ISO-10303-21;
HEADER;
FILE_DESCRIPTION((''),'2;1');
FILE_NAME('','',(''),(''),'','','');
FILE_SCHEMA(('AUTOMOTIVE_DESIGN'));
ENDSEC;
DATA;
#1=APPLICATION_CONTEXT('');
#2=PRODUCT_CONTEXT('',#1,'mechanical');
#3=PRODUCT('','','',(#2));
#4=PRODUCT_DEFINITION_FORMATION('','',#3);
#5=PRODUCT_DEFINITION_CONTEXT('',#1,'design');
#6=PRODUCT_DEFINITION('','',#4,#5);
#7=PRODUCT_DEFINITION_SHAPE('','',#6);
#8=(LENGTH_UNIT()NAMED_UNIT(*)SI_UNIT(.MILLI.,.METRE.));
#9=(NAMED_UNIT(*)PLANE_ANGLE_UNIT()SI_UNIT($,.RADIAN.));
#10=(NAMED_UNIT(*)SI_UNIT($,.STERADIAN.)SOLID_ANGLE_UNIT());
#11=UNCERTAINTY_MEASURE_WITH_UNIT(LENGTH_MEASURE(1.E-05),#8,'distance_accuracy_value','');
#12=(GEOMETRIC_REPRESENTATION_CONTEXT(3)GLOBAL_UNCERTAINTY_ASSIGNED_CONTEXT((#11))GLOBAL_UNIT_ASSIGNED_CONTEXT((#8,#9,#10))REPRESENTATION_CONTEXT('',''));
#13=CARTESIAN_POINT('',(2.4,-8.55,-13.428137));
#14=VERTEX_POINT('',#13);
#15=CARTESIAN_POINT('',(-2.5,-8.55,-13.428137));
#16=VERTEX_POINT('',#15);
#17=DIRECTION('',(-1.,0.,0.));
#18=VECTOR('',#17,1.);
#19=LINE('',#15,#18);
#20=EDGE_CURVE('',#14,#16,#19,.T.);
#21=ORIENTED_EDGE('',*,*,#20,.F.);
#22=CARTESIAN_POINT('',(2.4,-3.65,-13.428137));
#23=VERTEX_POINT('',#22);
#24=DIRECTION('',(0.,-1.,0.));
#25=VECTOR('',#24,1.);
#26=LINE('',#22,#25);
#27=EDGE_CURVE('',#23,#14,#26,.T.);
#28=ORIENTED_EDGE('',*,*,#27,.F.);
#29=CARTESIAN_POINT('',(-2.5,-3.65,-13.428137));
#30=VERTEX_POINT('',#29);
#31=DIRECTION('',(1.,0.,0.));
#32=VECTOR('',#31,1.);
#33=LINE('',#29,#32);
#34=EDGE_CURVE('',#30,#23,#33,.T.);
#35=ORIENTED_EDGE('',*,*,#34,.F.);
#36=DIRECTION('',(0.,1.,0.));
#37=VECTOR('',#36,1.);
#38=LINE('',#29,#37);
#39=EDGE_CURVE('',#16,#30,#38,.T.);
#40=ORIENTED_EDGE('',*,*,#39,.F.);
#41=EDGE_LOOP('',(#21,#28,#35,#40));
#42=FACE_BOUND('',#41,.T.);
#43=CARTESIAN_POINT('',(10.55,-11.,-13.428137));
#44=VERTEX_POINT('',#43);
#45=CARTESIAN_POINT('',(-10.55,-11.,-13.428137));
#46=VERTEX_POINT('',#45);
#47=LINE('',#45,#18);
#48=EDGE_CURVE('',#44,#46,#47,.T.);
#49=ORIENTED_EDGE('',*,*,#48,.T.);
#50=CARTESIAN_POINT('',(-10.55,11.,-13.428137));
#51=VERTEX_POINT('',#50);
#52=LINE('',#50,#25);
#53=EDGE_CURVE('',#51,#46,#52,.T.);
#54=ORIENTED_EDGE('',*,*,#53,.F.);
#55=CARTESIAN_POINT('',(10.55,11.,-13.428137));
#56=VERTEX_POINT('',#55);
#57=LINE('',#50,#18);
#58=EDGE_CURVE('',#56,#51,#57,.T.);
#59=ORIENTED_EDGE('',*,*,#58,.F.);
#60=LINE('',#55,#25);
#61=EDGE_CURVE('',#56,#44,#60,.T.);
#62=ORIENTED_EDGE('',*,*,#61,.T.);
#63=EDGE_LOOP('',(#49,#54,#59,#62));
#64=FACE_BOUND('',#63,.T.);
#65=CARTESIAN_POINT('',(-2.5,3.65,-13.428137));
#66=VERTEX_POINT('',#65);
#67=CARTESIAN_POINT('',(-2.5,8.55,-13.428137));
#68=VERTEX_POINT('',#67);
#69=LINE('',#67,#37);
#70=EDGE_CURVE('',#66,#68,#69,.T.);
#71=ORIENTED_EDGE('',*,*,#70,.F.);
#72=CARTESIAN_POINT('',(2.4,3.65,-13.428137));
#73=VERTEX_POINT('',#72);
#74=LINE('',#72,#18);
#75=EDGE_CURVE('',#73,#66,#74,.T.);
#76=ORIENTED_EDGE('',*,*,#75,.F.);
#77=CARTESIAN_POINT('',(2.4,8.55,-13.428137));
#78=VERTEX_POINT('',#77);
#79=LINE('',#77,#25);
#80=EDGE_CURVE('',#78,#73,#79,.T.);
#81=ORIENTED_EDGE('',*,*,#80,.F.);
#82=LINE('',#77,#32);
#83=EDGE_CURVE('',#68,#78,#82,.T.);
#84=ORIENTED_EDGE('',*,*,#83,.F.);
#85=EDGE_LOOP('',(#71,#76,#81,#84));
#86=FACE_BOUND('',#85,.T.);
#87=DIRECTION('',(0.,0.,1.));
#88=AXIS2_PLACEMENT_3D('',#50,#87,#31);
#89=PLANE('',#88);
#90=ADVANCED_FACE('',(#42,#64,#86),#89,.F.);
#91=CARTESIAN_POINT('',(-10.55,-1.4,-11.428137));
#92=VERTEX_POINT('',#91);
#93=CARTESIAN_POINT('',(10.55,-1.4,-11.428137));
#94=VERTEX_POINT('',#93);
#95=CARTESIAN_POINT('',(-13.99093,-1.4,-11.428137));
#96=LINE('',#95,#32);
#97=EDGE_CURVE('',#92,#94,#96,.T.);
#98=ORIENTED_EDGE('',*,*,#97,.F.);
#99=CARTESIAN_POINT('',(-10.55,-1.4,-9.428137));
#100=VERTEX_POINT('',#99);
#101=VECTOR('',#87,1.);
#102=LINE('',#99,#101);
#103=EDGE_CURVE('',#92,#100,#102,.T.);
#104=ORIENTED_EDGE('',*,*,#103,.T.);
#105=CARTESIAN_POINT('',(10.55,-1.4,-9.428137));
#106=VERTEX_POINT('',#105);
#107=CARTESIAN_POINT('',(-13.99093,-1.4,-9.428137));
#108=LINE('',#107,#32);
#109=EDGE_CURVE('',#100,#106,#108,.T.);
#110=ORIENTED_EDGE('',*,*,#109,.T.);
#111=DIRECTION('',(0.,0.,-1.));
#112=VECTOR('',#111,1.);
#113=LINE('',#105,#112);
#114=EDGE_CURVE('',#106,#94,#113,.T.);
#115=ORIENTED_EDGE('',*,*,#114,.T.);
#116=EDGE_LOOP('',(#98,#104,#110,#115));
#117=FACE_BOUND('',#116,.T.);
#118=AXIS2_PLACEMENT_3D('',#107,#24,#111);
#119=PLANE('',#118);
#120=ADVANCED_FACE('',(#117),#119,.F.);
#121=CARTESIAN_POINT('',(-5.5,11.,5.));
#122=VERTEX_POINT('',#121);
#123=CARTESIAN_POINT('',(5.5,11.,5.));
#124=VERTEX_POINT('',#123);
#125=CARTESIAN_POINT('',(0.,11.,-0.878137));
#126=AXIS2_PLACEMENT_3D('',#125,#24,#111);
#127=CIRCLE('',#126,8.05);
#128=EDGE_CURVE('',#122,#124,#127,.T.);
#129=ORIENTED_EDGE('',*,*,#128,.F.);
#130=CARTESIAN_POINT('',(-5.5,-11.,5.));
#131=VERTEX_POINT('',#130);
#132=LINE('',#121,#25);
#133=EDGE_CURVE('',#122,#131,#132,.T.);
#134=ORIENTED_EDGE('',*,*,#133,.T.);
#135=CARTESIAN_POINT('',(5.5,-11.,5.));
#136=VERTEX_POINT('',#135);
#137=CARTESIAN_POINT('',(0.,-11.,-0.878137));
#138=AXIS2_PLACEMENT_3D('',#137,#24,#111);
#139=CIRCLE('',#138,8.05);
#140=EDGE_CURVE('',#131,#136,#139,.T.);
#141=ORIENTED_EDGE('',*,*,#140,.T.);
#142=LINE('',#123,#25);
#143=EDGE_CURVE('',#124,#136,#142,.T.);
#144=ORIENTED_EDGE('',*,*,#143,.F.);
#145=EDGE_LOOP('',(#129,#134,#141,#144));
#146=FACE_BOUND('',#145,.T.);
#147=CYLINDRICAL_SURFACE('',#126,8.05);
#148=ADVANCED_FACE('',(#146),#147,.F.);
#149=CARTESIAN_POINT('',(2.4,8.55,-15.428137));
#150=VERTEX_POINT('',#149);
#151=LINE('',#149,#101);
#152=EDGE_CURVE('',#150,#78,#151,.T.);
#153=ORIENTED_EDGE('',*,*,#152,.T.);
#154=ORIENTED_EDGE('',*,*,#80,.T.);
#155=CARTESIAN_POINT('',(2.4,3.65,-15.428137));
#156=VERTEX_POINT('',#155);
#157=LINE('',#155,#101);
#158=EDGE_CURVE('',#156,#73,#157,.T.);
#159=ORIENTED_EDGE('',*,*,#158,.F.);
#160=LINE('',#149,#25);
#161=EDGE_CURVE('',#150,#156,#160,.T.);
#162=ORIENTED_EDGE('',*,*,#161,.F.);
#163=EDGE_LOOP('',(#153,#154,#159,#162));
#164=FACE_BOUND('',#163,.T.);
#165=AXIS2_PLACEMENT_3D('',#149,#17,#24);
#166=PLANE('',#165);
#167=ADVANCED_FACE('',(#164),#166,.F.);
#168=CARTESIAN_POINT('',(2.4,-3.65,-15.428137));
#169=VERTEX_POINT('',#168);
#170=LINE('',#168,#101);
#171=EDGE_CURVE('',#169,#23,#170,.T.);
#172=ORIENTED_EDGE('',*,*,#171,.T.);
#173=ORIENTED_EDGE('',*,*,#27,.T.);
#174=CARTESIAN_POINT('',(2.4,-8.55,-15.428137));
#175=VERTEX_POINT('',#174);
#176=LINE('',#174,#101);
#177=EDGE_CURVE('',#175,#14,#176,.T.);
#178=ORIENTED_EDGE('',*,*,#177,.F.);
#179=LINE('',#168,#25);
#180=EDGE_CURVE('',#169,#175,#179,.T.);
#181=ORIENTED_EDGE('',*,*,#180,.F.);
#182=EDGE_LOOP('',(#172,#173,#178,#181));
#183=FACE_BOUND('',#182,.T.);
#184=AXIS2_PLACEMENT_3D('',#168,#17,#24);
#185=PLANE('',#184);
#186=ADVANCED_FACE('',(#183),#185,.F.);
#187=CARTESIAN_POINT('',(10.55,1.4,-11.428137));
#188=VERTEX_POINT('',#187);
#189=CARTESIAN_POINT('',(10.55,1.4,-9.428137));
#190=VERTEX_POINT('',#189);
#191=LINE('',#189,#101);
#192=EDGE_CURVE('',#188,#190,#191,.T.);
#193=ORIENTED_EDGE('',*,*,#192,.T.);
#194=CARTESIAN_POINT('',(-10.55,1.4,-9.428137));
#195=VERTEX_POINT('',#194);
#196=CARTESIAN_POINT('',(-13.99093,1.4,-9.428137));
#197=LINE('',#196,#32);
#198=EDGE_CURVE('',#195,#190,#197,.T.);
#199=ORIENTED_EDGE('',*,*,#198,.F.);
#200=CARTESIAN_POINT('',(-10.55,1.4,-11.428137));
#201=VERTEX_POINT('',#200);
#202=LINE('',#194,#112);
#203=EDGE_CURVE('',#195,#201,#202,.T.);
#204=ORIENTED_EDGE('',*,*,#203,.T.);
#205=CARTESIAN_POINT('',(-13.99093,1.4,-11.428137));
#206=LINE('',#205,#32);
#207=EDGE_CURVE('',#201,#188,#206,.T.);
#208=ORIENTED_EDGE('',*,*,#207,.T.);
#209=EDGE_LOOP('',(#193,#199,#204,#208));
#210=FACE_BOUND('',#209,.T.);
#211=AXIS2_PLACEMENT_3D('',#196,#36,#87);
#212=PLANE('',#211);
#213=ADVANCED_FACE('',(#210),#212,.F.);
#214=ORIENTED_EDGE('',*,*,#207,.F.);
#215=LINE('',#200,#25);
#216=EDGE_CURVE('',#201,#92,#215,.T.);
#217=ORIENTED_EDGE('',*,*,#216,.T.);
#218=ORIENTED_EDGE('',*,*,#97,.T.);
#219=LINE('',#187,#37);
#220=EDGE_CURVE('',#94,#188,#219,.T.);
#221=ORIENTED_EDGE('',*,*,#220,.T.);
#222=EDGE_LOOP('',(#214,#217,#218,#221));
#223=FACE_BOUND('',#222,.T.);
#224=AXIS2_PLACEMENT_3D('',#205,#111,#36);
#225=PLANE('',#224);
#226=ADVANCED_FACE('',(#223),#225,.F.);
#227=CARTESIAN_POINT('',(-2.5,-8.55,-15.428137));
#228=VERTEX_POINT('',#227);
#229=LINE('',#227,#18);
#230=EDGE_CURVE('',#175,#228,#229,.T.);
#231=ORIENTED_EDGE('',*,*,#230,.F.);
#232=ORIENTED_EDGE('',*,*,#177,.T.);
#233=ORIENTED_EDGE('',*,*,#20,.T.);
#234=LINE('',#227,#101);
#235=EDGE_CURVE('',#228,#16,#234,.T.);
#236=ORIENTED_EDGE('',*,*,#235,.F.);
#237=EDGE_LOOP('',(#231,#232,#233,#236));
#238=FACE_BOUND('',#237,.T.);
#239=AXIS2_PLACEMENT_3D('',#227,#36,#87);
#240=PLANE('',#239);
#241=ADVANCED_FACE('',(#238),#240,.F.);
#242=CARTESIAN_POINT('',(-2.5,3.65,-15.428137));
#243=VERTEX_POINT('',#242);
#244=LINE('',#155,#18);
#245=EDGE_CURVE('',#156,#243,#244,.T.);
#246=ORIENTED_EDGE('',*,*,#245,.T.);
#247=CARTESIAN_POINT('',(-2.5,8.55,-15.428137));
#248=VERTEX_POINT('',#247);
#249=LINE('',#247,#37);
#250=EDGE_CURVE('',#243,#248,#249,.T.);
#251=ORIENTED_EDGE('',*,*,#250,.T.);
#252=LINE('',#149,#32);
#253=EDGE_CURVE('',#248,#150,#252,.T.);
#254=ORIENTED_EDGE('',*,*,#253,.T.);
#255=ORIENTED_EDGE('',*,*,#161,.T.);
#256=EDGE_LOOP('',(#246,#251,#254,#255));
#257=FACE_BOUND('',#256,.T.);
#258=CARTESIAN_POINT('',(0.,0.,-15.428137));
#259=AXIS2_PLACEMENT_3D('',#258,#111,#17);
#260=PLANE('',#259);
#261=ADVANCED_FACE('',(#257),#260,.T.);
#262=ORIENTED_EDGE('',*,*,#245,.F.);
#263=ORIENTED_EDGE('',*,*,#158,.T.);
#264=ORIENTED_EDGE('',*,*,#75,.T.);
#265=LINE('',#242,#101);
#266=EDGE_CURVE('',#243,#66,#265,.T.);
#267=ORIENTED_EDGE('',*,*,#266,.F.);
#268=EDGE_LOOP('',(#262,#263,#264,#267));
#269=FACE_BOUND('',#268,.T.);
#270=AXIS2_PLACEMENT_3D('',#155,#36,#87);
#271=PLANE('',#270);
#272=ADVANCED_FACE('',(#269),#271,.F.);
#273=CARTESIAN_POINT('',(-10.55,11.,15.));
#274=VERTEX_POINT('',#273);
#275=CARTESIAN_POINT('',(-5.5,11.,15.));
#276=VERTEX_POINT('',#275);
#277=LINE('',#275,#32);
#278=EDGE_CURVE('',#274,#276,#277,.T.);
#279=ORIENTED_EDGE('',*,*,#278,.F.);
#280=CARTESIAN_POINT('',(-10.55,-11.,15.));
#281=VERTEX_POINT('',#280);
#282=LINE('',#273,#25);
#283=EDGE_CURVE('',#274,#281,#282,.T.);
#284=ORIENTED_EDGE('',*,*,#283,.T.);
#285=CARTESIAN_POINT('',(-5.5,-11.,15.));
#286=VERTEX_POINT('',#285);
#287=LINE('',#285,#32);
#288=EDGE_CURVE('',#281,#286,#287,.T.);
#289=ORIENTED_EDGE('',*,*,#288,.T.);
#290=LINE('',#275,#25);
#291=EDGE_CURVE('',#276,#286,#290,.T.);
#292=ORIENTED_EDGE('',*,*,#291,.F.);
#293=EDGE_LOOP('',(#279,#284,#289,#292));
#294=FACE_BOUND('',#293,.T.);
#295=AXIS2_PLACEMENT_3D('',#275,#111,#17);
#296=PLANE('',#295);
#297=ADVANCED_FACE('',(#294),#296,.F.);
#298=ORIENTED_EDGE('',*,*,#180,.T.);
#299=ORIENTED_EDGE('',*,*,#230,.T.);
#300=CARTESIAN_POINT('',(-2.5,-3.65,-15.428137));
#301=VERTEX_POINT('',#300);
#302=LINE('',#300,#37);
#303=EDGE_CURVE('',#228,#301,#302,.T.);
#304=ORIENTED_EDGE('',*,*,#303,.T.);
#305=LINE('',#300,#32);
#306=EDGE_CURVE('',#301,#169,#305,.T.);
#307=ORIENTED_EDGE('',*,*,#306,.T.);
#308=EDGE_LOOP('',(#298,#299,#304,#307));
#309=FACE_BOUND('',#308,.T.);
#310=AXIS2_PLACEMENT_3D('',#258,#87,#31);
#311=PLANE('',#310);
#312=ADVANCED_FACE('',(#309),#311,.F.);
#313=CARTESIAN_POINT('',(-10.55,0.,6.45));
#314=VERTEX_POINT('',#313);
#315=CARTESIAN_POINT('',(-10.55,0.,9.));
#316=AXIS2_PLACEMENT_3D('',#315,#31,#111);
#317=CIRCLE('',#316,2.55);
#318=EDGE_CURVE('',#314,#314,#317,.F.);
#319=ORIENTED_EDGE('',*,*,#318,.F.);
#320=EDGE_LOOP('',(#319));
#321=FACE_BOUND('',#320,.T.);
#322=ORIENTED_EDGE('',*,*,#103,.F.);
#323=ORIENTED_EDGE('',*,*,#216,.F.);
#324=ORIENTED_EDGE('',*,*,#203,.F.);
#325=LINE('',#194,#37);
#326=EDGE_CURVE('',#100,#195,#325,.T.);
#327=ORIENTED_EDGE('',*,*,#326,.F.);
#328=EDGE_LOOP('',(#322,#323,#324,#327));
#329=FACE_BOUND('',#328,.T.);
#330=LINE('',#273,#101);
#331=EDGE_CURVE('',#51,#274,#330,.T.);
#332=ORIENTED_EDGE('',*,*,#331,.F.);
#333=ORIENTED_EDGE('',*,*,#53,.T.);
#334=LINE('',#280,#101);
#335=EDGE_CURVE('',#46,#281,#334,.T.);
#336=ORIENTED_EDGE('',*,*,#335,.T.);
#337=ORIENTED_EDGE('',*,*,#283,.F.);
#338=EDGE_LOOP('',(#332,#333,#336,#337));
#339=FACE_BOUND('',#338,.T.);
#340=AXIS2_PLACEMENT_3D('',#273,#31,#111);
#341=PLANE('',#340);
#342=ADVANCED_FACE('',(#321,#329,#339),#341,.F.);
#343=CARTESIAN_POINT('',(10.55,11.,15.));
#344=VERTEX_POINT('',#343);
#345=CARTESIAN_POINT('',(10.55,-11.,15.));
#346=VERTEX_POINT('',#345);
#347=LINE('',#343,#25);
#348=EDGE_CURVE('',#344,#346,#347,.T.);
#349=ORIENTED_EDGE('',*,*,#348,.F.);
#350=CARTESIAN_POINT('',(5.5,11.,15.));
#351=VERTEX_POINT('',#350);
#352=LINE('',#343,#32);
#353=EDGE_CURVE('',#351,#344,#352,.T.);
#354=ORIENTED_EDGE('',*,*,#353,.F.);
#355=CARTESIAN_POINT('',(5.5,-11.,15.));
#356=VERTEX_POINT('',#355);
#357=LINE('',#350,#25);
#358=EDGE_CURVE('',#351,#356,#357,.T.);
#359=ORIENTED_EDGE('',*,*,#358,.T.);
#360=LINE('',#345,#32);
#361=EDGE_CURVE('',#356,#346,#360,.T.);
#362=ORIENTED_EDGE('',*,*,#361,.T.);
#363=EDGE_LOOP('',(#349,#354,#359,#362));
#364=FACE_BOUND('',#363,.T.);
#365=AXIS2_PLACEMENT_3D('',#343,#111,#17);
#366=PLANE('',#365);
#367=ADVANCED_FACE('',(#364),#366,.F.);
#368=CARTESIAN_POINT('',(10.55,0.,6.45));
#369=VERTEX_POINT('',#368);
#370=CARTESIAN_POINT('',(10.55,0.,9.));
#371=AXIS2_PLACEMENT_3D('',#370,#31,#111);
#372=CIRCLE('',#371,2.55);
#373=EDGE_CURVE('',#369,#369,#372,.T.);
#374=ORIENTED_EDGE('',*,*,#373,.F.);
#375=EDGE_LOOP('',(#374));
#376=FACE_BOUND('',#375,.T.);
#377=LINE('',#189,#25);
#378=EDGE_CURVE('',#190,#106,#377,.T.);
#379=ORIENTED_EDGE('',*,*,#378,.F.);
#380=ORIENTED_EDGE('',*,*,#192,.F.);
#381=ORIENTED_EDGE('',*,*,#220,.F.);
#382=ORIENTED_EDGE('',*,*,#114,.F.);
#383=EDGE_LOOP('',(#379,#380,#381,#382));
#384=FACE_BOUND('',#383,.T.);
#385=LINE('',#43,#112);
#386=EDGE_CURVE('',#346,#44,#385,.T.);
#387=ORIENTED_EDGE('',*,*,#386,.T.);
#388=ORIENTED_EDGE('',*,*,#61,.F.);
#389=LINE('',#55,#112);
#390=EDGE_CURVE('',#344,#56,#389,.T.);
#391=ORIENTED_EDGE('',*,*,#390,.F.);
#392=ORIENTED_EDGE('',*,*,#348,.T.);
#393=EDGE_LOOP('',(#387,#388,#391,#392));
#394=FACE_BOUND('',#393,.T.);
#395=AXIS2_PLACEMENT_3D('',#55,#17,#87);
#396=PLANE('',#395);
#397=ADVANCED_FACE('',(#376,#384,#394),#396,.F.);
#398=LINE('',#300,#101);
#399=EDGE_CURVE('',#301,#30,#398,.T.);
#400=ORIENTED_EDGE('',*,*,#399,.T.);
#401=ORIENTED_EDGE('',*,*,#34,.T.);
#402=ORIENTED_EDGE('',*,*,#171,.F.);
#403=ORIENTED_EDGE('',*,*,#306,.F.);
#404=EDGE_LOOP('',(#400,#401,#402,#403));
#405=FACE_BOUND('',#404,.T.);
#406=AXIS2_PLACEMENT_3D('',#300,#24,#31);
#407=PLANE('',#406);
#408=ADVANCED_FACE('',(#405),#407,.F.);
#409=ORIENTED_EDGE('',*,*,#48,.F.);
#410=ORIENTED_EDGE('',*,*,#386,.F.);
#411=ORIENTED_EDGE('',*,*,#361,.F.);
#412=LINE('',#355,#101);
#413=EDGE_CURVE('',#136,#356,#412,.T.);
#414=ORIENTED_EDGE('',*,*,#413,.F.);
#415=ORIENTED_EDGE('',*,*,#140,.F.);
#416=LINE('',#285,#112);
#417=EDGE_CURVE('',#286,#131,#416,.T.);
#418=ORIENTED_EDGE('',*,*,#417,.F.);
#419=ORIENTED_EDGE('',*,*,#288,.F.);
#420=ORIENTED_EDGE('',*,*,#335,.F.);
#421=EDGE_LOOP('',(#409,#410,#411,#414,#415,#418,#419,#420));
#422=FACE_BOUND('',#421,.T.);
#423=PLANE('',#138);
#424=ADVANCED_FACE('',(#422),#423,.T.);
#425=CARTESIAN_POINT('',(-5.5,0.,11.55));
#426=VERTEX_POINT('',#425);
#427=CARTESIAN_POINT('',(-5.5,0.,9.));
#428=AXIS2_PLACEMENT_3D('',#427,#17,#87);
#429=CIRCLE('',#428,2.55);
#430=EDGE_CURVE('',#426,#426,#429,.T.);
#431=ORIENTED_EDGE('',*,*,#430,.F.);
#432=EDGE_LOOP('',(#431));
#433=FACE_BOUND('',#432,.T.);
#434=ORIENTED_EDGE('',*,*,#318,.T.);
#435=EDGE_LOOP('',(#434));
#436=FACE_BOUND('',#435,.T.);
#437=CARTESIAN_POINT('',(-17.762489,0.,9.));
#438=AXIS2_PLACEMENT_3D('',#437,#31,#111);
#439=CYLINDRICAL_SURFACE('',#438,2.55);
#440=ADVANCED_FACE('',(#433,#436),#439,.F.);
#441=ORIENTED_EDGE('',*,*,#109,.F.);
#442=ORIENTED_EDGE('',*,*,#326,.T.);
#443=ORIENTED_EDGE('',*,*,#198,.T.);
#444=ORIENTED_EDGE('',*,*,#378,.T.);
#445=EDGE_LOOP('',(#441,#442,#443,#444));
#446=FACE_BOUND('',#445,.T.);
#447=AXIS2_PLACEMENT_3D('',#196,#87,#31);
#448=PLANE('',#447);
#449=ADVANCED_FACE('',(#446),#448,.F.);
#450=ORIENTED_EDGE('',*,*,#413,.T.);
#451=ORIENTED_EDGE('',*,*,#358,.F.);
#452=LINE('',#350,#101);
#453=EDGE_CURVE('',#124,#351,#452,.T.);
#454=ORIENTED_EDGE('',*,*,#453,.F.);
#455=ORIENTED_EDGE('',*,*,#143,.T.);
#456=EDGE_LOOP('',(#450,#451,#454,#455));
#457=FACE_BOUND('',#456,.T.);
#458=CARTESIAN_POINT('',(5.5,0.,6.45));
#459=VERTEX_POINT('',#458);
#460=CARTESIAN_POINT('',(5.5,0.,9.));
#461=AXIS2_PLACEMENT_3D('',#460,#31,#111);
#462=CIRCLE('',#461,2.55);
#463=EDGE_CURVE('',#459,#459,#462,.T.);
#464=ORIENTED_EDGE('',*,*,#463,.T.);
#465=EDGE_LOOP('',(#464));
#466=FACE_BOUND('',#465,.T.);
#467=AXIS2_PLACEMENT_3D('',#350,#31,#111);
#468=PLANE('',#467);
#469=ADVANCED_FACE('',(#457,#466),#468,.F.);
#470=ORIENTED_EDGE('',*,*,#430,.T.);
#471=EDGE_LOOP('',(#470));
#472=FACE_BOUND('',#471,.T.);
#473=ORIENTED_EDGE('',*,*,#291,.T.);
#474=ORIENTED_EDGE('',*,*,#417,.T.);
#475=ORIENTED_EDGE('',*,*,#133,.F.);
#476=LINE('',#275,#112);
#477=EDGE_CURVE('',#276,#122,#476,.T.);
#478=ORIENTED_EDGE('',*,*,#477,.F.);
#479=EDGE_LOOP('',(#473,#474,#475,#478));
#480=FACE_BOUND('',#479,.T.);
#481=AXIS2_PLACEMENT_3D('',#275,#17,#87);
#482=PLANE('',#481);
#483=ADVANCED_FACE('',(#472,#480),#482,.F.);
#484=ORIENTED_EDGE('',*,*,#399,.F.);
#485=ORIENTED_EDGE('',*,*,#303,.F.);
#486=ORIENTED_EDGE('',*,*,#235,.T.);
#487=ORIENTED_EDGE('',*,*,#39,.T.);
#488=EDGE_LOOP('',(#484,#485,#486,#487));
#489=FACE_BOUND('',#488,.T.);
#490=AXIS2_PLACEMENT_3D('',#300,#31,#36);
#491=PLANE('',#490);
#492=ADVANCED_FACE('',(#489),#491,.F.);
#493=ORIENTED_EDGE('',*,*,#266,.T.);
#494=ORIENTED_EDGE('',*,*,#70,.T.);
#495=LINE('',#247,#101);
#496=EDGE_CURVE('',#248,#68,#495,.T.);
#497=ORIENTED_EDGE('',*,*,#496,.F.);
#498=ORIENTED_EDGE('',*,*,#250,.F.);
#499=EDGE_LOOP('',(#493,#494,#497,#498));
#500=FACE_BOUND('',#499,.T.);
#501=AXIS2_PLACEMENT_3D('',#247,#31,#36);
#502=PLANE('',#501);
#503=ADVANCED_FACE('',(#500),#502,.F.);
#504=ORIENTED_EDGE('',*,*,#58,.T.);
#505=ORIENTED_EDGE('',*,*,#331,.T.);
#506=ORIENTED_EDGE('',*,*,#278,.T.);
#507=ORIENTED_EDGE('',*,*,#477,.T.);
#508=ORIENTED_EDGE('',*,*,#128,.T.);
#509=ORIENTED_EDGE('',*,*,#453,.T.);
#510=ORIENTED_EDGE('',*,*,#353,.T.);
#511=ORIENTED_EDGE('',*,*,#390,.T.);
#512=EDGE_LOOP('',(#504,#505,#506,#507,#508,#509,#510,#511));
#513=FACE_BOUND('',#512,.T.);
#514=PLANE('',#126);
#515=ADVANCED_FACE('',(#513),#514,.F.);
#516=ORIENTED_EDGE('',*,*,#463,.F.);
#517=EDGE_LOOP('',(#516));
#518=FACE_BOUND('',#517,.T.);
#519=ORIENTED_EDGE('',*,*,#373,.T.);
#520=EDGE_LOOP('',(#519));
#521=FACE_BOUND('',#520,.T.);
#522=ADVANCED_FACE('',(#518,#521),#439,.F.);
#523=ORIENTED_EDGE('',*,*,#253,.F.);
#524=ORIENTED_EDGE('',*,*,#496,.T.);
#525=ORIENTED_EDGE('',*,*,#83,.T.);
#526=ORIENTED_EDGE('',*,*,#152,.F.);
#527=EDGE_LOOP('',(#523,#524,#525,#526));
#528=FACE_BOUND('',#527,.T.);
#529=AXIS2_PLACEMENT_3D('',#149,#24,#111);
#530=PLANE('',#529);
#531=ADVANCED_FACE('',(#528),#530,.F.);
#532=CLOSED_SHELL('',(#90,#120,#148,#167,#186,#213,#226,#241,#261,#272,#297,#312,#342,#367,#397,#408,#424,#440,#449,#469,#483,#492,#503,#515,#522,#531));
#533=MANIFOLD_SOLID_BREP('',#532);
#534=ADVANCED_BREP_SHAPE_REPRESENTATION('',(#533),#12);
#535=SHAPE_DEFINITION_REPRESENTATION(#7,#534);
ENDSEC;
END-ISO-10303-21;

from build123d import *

# Parameters (mm, degrees)
BOSS_EXTRUDE1_DEPTH = 11
CUT_EXTRUDE1_REACH  = 30.128
SKETCH2_R           = 2.55
SKETCH4_W           = 2
SKETCH4_H           = 2.8
CUT_EXTRUDE3_DEPTH  = 21.1
SKETCH5_W           = 4.9
SKETCH5_H           = 4.9
BOSS_EXTRUDE2_DEPTH = 2


with BuildPart() as part:
    # Sketch1 → Boss-Extrude1 (new, symmetric)
    with BuildSketch(Plane(origin=(0, 0, 0), x_dir=(1, 0, 0), z_dir=(0, 1, 0))):
        with BuildLine():
            Line((-5.5, -15), (-10.55, -15))
            Line((-10.55, -15), (-10.55, 13.42813746))
            Line((-10.55, 13.42813746), (10.55, 13.42813746))
            Line((10.55, 13.42813746), (10.55, -15))
            Line((10.55, -15), (5.5, -15))
            Line((5.5, -15), (5.5, -5))
            ThreePointArc((5.5, -5), (0, 8.92813746), (-5.5, -5))
            Line((-5.5, -5), (-5.5, -15))
        make_face()
    extrude(amount=BOSS_EXTRUDE1_DEPTH, both=True)

    # Cut-Extrude1: up to this face of the body (flat: up to its plane)
    cut_extrude1_end = Plane(part.part.faces().sort_by_distance((-10.55, 0, 0.78593127))[0])
    # Sketch2 → Cut-Extrude1 (cut, up to the picked face)
    with BuildSketch(Plane(origin=(10.55, 0, 0), x_dir=(0, 0, -1), z_dir=(1, 0, 0)), mode=Mode.PRIVATE) as cut_extrude1_sk1:
        with Locations((-9, 0)):
            Circle(SKETCH2_R)
    cut_extrude1_tool1 = split(extrude(cut_extrude1_sk1.sketch, amount=-CUT_EXTRUDE1_REACH, mode=Mode.PRIVATE), bisect_by=cut_extrude1_end, keep=Keep.BOTH, mode=Mode.PRIVATE)
    add(cut_extrude1_tool1.solids().sort_by(Axis((10.55, 0, 9), (-1, 0, 0)))[0], mode=Mode.SUBTRACT)

    # Sketch4 → Cut-Extrude3 (cut)
    with BuildSketch(Plane(origin=(10.55, 0, 0), x_dir=(0, 0, -1), z_dir=(1, 0, 0))):
        with Locations((10.42813746, 0)):
            Rectangle(SKETCH4_W, SKETCH4_H)
    extrude(amount=-CUT_EXTRUDE3_DEPTH, mode=Mode.SUBTRACT)

    # Sketch5 → Boss-Extrude2 (add)
    with BuildSketch(Plane(origin=(0, 0, -13.42813746), x_dir=(-1, 0, 0), z_dir=(0, 0, -1))):
        with Locations((0.05, 6.1)):
            Rectangle(SKETCH5_W, SKETCH5_H)
        with Locations((0.05, -6.1)):
            Rectangle(SKETCH5_W, SKETCH5_H)
    extrude(amount=BOSS_EXTRUDE2_DEPTH)


solid = part.part
